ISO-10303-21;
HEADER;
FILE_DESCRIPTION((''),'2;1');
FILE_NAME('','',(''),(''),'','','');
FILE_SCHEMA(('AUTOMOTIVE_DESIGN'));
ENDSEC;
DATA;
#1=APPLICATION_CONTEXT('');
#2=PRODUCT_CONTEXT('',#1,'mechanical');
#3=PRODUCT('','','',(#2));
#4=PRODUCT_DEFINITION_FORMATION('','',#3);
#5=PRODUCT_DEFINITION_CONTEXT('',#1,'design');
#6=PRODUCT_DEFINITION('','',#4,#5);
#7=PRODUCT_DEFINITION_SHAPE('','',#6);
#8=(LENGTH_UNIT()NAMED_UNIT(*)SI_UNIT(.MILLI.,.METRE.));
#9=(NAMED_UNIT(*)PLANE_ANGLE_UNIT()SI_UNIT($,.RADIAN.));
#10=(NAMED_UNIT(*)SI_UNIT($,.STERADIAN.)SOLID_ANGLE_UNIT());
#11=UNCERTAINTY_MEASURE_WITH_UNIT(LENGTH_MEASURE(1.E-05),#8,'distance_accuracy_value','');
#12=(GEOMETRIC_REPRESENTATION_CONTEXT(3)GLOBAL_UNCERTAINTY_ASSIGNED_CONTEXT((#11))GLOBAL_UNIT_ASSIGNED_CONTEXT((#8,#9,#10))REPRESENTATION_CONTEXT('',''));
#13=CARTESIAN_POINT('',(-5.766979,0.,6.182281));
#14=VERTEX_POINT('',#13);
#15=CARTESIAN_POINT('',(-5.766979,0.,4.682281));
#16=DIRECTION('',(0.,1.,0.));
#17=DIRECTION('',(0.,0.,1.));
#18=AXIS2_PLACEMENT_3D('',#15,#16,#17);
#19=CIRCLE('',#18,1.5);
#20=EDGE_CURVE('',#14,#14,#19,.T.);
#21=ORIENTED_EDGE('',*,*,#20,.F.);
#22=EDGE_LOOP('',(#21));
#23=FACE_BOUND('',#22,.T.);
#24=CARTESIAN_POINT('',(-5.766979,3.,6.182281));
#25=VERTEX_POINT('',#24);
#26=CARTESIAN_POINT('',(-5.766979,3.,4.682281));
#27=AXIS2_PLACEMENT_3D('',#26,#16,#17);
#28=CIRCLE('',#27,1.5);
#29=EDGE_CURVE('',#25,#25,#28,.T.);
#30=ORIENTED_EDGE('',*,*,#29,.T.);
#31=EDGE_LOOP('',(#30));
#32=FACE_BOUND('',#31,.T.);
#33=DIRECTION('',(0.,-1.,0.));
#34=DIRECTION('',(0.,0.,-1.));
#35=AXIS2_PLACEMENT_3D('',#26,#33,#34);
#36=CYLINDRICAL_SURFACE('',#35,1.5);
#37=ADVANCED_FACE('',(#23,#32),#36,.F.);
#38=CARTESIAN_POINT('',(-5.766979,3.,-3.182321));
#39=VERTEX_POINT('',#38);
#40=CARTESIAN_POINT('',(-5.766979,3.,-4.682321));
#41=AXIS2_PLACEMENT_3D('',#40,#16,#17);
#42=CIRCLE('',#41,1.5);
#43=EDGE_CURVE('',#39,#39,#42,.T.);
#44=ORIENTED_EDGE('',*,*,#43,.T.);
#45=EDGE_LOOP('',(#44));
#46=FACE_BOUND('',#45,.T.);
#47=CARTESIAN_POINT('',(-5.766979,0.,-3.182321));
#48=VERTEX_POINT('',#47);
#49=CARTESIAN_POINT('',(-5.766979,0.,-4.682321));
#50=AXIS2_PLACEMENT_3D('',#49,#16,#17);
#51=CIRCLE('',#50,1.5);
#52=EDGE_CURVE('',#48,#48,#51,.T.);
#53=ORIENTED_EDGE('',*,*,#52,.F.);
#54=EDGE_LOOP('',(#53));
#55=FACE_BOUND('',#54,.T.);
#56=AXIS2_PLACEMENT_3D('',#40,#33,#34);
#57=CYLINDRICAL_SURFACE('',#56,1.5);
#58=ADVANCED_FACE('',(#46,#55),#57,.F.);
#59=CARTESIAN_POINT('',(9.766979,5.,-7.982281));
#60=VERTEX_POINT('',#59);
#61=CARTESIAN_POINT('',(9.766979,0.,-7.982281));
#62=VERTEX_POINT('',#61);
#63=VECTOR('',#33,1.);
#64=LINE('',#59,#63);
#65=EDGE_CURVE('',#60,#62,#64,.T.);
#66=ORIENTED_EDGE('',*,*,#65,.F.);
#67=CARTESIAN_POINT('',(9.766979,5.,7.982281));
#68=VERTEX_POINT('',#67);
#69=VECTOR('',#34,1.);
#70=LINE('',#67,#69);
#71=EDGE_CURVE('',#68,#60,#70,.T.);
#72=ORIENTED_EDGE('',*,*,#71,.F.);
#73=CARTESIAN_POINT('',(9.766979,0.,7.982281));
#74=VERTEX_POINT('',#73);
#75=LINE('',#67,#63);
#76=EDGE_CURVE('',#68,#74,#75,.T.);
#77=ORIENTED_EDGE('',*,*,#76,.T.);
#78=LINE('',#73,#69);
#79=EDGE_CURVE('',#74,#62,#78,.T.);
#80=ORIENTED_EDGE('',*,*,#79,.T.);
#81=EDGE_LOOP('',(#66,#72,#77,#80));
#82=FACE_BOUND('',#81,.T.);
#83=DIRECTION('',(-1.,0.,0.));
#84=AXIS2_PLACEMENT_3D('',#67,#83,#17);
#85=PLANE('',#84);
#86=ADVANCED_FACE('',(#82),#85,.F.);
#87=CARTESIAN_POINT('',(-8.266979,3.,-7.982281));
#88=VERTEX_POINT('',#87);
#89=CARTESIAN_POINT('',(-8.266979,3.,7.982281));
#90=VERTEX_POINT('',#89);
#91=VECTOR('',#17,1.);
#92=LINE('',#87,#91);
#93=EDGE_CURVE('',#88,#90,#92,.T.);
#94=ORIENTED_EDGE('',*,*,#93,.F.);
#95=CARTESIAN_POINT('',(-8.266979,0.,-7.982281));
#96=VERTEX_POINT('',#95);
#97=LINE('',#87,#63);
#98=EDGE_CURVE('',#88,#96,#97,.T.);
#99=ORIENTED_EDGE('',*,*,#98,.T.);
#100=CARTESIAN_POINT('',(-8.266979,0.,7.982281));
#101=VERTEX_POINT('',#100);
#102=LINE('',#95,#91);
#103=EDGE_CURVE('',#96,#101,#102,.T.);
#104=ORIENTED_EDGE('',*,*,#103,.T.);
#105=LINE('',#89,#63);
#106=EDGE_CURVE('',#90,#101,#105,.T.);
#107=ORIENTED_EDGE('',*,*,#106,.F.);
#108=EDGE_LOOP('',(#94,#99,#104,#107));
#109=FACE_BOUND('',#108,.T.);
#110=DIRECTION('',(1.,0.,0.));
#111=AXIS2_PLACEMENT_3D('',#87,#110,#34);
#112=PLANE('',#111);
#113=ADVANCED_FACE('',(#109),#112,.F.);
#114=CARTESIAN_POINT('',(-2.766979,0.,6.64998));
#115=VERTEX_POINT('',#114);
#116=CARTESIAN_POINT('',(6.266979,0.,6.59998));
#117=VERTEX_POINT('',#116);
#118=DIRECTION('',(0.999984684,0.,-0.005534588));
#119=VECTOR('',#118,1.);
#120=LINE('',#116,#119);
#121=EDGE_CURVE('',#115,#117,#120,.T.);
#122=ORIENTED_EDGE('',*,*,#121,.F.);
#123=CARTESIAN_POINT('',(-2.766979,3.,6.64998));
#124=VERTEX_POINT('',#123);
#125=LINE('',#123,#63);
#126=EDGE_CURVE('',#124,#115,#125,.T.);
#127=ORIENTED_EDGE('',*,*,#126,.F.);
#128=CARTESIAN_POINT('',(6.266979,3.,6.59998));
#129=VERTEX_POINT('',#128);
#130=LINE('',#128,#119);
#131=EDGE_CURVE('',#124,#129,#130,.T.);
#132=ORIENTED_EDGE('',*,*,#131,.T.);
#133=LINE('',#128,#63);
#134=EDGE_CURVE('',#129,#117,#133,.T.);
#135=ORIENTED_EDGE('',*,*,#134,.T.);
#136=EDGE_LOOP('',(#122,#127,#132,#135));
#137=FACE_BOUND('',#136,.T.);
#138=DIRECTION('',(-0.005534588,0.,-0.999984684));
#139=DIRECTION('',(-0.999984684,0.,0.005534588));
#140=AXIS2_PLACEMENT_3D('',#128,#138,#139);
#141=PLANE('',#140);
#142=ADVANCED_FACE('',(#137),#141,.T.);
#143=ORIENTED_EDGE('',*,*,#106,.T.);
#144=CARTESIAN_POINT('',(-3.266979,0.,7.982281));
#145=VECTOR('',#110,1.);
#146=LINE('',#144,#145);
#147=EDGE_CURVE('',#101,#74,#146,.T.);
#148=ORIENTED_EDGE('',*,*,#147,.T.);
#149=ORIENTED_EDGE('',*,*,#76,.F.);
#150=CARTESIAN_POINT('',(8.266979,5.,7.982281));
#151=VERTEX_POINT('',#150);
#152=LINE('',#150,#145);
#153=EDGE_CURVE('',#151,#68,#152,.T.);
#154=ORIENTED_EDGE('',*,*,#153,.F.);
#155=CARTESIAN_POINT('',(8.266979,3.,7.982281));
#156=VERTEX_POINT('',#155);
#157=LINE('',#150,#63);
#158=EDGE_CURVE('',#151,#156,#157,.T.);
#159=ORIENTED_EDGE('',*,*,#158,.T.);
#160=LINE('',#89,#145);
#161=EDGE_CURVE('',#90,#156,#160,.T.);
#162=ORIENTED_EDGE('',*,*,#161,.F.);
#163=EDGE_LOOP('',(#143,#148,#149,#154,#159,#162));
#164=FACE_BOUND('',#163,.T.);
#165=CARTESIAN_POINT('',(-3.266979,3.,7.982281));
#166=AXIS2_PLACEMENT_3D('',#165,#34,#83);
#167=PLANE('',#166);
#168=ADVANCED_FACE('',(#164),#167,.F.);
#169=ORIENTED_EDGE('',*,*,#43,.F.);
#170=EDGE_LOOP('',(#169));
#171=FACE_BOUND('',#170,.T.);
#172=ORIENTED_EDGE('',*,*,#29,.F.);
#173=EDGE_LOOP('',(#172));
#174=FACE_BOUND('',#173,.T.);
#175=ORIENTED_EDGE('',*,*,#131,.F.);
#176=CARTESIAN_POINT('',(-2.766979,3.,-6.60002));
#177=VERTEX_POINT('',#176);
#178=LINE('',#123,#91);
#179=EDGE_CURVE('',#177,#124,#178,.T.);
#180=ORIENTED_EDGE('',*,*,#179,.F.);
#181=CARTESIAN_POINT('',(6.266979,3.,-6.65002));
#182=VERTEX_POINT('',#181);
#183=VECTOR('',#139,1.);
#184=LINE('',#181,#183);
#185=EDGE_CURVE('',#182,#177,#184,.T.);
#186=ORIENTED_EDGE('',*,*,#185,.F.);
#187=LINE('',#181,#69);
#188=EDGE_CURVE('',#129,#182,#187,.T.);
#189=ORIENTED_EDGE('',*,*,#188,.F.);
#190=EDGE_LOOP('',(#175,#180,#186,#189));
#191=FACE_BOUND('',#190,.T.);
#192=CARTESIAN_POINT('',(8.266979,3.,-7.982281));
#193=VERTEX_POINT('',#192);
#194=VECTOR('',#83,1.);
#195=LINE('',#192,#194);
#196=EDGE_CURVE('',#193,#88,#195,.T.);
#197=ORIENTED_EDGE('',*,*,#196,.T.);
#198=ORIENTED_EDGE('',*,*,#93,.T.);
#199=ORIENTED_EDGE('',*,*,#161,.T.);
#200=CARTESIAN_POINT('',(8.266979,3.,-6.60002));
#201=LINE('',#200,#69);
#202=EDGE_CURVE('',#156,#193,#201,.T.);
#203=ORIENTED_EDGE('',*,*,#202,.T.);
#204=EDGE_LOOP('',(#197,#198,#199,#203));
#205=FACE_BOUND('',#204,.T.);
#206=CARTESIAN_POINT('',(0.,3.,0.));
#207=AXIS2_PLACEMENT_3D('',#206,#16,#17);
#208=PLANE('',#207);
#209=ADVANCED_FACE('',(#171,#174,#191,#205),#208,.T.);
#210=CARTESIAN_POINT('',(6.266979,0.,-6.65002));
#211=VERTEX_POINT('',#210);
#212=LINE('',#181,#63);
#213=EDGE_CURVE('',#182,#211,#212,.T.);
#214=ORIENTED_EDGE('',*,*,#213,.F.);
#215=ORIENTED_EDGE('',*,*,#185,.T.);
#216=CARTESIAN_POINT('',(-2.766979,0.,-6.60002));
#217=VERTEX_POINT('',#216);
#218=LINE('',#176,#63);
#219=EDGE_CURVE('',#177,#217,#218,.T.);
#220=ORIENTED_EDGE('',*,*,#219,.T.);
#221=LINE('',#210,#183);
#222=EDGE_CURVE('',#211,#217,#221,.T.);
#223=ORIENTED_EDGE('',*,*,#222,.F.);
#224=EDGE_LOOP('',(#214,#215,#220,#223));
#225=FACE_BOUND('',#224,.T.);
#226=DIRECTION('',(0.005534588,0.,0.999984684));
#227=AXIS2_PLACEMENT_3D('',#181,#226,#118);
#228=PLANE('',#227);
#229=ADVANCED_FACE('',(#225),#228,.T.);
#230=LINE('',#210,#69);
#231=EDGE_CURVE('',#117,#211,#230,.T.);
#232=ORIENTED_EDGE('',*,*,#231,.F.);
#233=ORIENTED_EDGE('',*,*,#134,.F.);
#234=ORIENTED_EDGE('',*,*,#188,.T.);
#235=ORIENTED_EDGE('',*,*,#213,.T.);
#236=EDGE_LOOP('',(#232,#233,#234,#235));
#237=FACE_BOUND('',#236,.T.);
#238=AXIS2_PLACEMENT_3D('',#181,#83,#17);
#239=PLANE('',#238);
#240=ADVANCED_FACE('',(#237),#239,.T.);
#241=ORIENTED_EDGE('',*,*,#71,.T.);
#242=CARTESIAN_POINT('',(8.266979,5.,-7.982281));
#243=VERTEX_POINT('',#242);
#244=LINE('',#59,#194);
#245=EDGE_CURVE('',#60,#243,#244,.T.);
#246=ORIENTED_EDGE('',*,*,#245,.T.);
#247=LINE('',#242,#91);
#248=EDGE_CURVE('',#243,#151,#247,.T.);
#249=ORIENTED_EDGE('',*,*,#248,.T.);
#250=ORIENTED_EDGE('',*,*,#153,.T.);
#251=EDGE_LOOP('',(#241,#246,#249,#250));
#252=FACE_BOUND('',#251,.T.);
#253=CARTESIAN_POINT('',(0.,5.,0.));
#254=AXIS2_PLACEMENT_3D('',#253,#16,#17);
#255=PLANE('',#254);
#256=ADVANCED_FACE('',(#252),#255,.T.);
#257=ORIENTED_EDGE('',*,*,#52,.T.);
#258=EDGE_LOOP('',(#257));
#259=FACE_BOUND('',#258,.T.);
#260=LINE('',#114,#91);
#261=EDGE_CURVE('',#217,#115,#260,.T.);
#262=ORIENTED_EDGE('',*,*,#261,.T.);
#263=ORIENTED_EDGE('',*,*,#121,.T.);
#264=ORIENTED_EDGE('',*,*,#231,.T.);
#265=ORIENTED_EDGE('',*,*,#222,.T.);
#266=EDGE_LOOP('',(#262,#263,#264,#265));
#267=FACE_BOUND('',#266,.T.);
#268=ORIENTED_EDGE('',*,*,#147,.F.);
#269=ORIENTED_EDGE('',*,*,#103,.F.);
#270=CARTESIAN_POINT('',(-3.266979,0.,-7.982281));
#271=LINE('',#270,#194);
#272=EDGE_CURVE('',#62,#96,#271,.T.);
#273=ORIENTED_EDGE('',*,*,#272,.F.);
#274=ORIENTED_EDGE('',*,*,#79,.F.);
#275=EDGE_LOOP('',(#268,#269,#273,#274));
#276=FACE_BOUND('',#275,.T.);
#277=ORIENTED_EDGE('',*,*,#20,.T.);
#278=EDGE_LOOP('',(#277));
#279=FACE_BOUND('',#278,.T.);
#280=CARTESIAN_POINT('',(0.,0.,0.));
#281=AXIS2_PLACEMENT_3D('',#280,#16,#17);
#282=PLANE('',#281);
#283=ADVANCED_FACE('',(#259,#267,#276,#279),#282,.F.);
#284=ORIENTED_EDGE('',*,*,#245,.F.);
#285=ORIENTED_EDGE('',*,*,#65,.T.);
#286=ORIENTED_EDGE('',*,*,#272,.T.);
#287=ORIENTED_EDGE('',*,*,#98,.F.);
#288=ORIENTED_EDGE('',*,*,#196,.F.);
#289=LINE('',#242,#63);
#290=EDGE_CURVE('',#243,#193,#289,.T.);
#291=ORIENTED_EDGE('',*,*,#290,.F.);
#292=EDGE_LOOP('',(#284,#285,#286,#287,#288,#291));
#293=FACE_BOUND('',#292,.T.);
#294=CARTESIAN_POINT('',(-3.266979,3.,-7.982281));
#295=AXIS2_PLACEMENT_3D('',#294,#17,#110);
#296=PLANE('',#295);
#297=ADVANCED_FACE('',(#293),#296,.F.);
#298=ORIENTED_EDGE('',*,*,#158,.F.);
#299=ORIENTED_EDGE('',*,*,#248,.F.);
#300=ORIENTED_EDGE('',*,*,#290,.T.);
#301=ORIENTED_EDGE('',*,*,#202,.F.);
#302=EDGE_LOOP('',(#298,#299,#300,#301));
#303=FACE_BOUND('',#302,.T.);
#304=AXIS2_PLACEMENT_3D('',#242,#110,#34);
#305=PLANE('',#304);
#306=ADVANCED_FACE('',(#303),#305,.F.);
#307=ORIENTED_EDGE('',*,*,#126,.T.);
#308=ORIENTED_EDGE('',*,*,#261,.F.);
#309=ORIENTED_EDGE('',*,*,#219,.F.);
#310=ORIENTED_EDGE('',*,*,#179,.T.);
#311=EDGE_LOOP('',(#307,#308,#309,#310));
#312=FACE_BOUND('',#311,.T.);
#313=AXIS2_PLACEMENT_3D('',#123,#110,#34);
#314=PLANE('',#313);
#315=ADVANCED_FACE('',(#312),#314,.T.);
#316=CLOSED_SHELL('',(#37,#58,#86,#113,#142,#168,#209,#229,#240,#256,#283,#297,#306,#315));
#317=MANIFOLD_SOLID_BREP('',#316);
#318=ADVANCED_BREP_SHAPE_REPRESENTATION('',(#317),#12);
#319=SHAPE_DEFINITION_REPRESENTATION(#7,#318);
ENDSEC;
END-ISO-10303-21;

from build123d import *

# Parameters (mm, degrees)
SKETCH1_R           = 1.5
BOSS_EXTRUDE1_DEPTH = 3
SKETCH2_W           = 1.5
SKETCH2_H           = 15.964561632
BOSS_EXTRUDE2_DEPTH = 5


with BuildPart() as part:
    # Sketch1 → Boss-Extrude1 (new body)
    with BuildSketch(Plane(origin=(0, 0, 0), x_dir=(1, 0, 0), z_dir=(0, 1, 0))):
        Polygon((-8.266979, 7.982280816), (-8.266979, -7.982280816), (-3.266979, -7.982280816), (8.266979, -7.982280816), (8.266979, -6.599979816), (8.266979, 6.600020184), (8.266979, 7.982280816), (-3.266979, 7.982280816), align=None)
        with Locations(Location((-5.766979, 4.682321184, 0), (0, 0, 270))):
            Circle(SKETCH1_R, mode=Mode.SUBTRACT)
        with Locations(Location((-5.766979, -4.682280816, 0), (0, 0, 270))):
            Circle(SKETCH1_R, mode=Mode.SUBTRACT)
        Polygon((-2.766979, -6.649979816), (-2.766979, 6.600020184), (6.266979, 6.650020184), (6.266979, -6.599979816), align=None, mode=Mode.SUBTRACT)
    extrude(amount=BOSS_EXTRUDE1_DEPTH)

    # Sketch2 → Boss-Extrude2 (add)
    with BuildSketch(Plane(origin=(0, 0, 0), x_dir=(1, 0, 0), z_dir=(0, 1, 0))):
        with Locations((9.016979, 0)):
            Rectangle(SKETCH2_W, SKETCH2_H)
    extrude(amount=BOSS_EXTRUDE2_DEPTH)


solid = part.part
